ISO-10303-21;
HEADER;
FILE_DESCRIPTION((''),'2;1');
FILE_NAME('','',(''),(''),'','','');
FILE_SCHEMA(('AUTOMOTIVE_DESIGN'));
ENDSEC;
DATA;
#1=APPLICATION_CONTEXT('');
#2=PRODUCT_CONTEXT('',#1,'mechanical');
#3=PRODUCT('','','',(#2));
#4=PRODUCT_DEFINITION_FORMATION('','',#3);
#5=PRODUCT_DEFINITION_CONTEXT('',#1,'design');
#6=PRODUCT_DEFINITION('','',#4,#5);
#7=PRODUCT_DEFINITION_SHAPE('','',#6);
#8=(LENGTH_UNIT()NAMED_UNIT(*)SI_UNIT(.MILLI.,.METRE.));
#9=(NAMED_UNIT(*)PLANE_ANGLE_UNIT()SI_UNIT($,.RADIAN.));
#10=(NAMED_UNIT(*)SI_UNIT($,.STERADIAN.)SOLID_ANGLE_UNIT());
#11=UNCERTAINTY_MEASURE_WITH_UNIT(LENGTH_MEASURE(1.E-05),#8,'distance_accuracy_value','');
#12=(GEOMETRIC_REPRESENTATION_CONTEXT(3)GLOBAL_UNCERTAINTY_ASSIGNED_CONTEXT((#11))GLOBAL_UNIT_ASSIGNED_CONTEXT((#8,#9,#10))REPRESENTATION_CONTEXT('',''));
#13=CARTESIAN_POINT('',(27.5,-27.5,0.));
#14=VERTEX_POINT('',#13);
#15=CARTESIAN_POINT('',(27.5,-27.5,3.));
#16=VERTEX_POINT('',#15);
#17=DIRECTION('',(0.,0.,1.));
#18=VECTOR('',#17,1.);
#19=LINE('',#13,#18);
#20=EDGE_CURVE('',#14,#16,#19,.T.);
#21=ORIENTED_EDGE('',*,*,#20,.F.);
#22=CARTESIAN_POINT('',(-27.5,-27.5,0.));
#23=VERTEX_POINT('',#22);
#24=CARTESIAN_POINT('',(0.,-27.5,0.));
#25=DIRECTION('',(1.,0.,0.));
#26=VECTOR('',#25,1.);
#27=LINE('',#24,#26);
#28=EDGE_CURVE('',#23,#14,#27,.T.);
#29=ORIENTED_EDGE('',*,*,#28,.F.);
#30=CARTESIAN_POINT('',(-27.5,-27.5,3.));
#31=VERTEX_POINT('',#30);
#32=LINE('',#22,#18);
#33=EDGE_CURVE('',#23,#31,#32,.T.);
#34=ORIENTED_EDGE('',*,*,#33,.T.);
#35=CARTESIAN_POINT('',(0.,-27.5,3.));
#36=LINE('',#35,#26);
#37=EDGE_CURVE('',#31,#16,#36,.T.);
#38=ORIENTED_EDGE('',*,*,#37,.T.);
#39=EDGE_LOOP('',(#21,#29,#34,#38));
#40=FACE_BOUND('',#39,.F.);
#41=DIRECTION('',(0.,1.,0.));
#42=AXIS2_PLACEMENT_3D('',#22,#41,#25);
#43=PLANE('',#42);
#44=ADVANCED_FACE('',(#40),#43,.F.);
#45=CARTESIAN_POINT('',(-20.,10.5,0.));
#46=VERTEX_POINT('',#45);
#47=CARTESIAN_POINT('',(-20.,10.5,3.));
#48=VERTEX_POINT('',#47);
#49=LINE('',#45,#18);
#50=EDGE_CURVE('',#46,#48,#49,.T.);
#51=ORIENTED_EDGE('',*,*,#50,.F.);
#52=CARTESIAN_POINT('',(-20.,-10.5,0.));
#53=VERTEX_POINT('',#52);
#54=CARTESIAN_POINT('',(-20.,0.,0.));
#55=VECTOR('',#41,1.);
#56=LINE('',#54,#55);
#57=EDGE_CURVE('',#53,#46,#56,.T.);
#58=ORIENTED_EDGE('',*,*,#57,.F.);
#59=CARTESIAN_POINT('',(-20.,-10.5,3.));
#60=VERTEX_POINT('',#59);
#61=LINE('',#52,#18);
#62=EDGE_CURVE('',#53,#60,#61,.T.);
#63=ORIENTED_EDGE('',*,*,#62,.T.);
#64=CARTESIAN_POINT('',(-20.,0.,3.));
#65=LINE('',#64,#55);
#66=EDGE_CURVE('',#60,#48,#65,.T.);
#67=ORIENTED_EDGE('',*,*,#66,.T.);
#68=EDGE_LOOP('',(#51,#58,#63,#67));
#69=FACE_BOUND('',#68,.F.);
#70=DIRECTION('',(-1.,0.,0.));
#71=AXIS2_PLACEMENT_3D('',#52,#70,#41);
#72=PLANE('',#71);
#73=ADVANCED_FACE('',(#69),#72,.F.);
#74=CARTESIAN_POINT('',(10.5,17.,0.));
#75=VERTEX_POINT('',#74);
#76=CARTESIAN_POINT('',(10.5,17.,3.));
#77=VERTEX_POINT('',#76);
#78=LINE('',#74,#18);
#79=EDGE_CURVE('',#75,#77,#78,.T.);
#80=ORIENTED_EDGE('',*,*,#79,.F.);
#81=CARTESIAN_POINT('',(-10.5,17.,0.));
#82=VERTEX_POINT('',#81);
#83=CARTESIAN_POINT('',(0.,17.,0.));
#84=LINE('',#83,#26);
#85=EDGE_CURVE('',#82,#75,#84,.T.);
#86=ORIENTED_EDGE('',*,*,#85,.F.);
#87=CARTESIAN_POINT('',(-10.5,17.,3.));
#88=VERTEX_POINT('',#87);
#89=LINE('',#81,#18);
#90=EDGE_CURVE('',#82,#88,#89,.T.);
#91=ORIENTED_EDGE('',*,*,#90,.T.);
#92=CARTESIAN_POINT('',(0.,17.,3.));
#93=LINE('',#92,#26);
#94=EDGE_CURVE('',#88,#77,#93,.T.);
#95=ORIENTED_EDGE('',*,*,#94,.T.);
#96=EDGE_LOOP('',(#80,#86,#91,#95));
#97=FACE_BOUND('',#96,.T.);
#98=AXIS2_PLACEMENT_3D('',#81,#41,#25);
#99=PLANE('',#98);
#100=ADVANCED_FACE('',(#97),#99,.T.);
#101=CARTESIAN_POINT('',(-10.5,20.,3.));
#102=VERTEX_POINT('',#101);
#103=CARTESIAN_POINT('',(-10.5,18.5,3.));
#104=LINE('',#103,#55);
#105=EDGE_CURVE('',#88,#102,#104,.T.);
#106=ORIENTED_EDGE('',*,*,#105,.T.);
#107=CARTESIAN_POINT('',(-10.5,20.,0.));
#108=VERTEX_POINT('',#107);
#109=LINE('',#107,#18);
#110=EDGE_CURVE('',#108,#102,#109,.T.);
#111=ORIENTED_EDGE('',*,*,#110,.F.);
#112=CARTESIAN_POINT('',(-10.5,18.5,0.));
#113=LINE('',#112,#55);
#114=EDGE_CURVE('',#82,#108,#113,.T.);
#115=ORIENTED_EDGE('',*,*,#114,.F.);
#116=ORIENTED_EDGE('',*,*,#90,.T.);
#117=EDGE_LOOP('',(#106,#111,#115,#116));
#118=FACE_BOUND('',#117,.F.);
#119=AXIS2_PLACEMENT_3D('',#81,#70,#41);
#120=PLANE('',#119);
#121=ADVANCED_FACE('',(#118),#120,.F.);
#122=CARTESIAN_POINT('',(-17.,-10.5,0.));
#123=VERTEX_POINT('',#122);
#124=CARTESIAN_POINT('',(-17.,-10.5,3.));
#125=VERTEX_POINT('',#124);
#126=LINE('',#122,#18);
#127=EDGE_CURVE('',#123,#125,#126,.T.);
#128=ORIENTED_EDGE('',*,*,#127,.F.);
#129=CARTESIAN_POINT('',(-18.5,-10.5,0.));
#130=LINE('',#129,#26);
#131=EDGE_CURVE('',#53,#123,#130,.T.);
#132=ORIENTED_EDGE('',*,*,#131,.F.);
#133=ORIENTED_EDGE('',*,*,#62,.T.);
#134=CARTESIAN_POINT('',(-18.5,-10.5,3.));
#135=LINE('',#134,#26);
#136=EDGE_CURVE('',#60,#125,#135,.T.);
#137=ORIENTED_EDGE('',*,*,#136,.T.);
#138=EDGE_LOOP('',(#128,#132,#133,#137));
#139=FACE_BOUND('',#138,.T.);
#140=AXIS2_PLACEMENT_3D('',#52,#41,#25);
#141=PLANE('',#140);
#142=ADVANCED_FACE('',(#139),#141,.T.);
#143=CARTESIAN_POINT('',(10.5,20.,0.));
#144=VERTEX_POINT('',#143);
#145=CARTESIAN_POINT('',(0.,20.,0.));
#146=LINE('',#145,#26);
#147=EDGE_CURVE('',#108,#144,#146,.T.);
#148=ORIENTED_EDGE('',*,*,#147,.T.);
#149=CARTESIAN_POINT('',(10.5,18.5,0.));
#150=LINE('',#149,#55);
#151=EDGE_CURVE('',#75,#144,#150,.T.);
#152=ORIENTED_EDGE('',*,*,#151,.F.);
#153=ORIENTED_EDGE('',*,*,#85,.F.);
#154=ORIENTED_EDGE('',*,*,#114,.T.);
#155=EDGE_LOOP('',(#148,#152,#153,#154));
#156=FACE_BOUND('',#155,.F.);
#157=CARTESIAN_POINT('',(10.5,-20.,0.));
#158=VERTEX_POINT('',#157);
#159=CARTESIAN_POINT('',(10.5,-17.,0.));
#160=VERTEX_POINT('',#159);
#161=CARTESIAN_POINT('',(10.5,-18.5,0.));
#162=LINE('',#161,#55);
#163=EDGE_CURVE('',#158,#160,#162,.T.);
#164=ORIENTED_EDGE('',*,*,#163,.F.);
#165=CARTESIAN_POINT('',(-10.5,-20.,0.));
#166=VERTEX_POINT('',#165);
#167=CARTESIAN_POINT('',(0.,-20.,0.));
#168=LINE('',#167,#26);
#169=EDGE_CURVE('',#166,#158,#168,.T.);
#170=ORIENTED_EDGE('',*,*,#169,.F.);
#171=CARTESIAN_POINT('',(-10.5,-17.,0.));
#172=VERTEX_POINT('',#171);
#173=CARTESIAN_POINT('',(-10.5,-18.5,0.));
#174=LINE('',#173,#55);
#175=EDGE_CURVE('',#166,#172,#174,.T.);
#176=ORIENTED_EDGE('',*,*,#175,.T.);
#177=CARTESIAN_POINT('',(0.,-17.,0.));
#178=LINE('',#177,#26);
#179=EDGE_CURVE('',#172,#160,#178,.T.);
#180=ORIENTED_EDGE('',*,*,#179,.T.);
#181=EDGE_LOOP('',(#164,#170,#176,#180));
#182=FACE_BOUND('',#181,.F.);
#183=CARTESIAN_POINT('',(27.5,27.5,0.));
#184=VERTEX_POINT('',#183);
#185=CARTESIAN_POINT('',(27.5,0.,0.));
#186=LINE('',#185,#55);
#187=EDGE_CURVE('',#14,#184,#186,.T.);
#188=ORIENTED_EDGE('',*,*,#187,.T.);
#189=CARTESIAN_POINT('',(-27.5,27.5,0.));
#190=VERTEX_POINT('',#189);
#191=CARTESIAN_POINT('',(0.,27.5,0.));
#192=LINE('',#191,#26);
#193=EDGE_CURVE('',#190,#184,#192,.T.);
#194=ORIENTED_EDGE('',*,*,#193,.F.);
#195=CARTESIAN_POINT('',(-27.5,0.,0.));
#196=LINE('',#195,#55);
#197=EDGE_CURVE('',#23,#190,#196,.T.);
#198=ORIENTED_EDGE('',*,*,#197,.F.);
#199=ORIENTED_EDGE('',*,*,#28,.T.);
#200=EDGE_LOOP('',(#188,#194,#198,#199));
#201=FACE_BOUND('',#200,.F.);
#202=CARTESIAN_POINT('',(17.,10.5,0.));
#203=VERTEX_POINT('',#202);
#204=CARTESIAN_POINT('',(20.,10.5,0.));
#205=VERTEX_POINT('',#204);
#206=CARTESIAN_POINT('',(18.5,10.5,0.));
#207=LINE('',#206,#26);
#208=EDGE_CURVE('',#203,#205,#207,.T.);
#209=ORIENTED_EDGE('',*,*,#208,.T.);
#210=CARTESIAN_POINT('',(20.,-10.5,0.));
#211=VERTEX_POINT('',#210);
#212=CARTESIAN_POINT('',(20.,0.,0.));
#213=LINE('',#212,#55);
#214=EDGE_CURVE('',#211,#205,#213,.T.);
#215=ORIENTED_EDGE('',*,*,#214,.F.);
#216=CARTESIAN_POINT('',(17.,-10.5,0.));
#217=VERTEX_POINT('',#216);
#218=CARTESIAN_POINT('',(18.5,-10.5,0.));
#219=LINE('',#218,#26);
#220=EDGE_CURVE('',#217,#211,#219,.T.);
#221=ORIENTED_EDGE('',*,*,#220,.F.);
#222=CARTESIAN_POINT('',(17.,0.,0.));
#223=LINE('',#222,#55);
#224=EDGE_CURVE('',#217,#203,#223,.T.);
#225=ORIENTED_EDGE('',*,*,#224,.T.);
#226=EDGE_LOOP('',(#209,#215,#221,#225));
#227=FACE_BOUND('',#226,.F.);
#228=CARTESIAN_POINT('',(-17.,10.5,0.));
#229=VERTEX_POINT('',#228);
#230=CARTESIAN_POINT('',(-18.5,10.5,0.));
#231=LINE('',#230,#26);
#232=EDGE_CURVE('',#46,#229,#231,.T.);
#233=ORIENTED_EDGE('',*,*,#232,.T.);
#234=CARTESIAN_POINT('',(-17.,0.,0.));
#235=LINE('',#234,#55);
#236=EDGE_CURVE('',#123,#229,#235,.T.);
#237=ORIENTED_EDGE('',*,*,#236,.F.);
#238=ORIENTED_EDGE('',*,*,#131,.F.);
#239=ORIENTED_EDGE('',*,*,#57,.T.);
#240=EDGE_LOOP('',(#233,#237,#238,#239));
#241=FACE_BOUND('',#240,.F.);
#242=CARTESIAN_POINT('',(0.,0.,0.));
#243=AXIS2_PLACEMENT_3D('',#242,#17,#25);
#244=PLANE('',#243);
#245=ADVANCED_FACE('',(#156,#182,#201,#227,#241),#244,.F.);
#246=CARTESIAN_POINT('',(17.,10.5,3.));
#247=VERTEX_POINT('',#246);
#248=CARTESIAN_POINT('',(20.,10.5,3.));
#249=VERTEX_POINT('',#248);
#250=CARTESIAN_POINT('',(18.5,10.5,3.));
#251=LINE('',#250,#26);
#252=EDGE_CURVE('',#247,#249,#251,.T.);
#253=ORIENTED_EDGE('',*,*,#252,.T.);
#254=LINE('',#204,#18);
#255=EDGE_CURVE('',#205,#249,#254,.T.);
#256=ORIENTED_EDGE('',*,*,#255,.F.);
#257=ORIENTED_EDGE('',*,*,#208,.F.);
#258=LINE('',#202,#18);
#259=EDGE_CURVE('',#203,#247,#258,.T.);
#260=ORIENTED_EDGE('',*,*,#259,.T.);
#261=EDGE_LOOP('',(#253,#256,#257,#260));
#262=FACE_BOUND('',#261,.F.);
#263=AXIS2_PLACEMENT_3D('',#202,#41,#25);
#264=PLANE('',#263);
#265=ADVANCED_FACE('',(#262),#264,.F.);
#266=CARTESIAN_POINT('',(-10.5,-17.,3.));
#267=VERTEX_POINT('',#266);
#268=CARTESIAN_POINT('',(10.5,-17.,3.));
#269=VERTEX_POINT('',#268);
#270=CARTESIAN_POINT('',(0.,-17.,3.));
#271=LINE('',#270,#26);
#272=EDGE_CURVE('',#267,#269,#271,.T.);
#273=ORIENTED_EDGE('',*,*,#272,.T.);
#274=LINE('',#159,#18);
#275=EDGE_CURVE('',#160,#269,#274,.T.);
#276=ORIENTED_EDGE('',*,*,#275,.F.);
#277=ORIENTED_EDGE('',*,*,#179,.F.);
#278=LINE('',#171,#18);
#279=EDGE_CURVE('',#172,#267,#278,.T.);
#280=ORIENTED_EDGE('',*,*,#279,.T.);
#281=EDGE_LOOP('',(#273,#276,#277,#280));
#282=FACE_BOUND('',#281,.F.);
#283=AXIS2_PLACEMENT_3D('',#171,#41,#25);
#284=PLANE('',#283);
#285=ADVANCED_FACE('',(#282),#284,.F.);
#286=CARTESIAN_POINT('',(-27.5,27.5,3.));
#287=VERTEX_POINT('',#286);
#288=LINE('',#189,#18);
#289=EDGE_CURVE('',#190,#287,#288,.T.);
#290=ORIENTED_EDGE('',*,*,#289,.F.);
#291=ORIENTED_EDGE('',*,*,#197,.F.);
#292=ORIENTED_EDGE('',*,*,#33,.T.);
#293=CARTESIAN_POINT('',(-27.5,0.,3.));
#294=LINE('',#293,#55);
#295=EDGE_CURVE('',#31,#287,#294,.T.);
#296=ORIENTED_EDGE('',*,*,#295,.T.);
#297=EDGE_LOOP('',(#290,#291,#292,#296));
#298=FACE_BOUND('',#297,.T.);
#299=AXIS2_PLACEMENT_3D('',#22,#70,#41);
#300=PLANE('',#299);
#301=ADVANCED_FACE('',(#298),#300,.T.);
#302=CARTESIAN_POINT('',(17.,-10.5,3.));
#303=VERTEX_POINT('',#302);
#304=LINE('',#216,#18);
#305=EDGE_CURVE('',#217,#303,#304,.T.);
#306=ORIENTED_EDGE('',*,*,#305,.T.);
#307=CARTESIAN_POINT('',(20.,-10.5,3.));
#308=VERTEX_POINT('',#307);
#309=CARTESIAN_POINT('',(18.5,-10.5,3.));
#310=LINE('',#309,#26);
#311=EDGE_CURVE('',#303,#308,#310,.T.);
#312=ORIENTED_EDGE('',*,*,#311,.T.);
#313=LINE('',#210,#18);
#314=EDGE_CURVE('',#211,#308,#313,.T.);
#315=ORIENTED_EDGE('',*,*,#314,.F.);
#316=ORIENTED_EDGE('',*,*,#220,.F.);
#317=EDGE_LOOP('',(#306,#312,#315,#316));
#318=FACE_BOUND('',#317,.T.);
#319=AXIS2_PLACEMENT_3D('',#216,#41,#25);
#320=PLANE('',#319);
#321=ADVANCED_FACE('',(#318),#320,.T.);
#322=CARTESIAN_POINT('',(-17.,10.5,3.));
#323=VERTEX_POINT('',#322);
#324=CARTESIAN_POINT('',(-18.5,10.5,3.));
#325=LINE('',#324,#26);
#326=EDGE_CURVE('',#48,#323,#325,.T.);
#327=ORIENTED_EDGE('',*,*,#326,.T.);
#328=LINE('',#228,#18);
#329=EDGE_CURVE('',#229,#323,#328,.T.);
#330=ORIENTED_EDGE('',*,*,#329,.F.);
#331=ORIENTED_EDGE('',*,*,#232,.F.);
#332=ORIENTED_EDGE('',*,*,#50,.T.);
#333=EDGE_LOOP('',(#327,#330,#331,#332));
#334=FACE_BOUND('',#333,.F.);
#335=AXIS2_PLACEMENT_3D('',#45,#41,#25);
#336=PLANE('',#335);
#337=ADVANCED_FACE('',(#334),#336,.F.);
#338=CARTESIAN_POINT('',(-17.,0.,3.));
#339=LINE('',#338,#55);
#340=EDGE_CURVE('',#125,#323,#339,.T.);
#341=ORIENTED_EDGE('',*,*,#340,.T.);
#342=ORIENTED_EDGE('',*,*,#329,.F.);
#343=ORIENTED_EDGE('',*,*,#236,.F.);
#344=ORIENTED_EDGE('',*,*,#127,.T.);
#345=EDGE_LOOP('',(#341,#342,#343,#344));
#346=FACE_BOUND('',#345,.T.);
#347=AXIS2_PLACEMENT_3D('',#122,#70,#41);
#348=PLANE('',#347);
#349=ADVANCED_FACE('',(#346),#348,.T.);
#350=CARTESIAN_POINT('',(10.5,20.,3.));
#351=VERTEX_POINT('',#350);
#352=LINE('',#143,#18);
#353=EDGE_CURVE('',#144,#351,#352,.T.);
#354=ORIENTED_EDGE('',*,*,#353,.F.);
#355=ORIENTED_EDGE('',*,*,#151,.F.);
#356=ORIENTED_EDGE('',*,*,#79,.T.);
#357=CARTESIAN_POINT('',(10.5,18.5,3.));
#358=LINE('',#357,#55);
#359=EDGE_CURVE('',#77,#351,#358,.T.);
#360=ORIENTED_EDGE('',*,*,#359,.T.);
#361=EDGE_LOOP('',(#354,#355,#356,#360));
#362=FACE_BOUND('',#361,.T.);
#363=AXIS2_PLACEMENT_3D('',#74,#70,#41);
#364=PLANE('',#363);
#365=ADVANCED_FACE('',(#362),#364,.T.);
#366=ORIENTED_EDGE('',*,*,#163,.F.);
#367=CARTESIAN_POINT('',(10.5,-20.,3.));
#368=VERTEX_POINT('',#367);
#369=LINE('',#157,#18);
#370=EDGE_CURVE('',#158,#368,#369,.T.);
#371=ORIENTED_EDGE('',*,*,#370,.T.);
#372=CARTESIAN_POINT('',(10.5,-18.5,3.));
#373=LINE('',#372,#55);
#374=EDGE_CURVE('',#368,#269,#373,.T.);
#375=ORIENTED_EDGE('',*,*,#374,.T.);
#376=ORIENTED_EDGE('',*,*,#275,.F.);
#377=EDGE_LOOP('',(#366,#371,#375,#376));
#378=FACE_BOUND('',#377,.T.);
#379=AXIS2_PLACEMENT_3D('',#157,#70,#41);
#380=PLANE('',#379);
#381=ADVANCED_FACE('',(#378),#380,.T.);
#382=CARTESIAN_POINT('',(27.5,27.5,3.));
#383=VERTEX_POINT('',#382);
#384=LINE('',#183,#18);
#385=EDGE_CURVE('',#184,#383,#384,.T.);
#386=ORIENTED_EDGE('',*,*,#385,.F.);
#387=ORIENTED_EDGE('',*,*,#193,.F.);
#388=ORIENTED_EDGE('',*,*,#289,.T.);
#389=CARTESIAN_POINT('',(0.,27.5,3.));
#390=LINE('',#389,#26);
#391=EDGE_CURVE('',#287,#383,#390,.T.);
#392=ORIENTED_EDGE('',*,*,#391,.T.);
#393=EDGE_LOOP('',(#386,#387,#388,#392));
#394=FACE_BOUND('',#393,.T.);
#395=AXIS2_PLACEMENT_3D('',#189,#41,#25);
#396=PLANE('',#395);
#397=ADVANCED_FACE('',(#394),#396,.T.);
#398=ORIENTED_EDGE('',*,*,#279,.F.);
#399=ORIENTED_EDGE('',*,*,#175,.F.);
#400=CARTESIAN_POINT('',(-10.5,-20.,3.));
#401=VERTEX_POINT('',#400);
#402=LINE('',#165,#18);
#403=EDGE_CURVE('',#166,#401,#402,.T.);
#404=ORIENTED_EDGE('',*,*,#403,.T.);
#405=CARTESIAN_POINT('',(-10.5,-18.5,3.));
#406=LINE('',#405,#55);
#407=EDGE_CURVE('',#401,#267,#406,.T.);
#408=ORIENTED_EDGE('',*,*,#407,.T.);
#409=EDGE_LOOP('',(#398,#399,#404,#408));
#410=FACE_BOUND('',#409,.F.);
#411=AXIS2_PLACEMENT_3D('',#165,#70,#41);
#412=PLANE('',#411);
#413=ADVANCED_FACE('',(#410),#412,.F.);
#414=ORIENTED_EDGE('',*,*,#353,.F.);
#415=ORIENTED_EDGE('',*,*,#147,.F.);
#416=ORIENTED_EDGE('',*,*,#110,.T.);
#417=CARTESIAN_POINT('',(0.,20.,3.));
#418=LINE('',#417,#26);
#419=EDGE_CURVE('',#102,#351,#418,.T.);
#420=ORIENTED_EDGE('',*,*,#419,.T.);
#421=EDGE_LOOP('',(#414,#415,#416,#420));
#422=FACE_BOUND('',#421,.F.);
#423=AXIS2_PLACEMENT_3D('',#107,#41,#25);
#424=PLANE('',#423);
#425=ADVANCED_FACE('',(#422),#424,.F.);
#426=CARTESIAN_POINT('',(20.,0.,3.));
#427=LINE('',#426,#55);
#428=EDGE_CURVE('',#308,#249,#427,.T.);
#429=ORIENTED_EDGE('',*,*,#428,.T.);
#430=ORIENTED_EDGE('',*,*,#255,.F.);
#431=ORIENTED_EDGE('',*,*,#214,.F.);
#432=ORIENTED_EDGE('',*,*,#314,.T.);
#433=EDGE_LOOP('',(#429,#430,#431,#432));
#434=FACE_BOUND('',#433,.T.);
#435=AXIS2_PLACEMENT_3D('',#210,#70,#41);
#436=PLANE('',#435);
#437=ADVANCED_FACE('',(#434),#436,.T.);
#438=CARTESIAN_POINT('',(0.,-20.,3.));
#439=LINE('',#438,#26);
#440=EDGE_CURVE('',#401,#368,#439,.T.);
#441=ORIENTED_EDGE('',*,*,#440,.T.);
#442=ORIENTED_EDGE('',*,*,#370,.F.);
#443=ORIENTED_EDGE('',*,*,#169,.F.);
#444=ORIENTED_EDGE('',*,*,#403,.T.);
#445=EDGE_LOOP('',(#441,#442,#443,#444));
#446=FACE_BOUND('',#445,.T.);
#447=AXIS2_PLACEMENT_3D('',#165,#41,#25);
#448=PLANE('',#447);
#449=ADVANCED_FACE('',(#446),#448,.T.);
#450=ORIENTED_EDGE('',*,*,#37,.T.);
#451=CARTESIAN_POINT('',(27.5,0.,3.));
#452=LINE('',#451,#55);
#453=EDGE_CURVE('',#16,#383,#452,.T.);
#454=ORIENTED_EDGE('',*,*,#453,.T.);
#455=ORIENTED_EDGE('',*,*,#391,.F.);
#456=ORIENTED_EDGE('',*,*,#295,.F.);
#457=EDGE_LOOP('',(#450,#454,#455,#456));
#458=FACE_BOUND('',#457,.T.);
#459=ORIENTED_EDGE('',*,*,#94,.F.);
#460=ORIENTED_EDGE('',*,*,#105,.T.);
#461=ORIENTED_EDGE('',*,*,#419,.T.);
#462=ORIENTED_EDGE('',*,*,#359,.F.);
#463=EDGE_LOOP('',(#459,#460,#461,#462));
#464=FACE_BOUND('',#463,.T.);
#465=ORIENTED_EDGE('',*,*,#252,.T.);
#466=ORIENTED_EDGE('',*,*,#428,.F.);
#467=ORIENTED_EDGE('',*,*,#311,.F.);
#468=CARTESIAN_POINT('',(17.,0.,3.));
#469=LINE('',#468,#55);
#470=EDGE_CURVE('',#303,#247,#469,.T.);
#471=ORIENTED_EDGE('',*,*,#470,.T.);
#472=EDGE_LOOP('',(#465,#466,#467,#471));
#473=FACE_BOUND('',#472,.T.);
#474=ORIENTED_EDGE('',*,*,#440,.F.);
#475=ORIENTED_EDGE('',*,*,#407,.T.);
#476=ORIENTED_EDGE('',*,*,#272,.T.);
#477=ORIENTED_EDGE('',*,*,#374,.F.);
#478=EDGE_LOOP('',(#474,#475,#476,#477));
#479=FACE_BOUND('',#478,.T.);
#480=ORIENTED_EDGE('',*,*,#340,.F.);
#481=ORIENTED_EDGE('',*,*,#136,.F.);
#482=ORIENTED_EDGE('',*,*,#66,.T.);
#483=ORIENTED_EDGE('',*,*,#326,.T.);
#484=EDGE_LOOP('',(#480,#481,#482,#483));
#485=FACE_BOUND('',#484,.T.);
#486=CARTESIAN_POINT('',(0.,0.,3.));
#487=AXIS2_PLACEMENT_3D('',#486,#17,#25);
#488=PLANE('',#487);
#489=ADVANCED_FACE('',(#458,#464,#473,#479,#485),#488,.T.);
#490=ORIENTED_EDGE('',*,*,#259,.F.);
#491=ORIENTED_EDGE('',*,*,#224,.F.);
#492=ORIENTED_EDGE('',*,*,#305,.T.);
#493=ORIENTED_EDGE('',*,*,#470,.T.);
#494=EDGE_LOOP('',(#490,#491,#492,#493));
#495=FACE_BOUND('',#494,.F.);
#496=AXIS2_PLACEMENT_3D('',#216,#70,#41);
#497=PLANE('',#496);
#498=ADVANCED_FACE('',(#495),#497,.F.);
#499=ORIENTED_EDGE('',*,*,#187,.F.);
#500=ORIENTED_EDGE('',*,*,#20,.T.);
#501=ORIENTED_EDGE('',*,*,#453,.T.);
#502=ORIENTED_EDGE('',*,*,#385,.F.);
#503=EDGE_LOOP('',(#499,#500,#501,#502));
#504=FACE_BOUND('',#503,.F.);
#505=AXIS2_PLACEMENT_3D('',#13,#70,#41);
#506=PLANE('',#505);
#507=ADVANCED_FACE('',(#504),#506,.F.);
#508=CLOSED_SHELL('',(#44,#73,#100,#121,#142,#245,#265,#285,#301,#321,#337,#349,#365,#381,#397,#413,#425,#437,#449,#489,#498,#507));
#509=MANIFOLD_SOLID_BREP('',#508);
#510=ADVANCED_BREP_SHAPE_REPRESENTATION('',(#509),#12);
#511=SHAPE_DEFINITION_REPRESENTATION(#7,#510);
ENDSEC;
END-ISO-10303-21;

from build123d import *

# Parameters (mm, degrees)
F0_W     = 55
F0_H     = 55
F0_W_2   = 21
F0_H_2   = 3
F0_W_3   = 3
F0_H_3   = 21
F1_DEPTH = 3


with BuildPart() as f1:
    # F0 (on Top) → F1 (new body)
    with BuildSketch(Plane.XY):
        Rectangle(F0_W, F0_H)
        with Locations((0, -18.5)):
            Rectangle(F0_W_2, F0_H_2, mode=Mode.SUBTRACT)
        with Locations((-18.5, 0)):
            Rectangle(F0_W_3, F0_H_3, mode=Mode.SUBTRACT)
        with Locations((18.5, 0)):
            Rectangle(F0_W_3, F0_H_3, mode=Mode.SUBTRACT)
        with Locations((0, 18.5)):
            Rectangle(F0_W_2, F0_H_2, mode=Mode.SUBTRACT)
    extrude(amount=F1_DEPTH)


solid = f1.part
